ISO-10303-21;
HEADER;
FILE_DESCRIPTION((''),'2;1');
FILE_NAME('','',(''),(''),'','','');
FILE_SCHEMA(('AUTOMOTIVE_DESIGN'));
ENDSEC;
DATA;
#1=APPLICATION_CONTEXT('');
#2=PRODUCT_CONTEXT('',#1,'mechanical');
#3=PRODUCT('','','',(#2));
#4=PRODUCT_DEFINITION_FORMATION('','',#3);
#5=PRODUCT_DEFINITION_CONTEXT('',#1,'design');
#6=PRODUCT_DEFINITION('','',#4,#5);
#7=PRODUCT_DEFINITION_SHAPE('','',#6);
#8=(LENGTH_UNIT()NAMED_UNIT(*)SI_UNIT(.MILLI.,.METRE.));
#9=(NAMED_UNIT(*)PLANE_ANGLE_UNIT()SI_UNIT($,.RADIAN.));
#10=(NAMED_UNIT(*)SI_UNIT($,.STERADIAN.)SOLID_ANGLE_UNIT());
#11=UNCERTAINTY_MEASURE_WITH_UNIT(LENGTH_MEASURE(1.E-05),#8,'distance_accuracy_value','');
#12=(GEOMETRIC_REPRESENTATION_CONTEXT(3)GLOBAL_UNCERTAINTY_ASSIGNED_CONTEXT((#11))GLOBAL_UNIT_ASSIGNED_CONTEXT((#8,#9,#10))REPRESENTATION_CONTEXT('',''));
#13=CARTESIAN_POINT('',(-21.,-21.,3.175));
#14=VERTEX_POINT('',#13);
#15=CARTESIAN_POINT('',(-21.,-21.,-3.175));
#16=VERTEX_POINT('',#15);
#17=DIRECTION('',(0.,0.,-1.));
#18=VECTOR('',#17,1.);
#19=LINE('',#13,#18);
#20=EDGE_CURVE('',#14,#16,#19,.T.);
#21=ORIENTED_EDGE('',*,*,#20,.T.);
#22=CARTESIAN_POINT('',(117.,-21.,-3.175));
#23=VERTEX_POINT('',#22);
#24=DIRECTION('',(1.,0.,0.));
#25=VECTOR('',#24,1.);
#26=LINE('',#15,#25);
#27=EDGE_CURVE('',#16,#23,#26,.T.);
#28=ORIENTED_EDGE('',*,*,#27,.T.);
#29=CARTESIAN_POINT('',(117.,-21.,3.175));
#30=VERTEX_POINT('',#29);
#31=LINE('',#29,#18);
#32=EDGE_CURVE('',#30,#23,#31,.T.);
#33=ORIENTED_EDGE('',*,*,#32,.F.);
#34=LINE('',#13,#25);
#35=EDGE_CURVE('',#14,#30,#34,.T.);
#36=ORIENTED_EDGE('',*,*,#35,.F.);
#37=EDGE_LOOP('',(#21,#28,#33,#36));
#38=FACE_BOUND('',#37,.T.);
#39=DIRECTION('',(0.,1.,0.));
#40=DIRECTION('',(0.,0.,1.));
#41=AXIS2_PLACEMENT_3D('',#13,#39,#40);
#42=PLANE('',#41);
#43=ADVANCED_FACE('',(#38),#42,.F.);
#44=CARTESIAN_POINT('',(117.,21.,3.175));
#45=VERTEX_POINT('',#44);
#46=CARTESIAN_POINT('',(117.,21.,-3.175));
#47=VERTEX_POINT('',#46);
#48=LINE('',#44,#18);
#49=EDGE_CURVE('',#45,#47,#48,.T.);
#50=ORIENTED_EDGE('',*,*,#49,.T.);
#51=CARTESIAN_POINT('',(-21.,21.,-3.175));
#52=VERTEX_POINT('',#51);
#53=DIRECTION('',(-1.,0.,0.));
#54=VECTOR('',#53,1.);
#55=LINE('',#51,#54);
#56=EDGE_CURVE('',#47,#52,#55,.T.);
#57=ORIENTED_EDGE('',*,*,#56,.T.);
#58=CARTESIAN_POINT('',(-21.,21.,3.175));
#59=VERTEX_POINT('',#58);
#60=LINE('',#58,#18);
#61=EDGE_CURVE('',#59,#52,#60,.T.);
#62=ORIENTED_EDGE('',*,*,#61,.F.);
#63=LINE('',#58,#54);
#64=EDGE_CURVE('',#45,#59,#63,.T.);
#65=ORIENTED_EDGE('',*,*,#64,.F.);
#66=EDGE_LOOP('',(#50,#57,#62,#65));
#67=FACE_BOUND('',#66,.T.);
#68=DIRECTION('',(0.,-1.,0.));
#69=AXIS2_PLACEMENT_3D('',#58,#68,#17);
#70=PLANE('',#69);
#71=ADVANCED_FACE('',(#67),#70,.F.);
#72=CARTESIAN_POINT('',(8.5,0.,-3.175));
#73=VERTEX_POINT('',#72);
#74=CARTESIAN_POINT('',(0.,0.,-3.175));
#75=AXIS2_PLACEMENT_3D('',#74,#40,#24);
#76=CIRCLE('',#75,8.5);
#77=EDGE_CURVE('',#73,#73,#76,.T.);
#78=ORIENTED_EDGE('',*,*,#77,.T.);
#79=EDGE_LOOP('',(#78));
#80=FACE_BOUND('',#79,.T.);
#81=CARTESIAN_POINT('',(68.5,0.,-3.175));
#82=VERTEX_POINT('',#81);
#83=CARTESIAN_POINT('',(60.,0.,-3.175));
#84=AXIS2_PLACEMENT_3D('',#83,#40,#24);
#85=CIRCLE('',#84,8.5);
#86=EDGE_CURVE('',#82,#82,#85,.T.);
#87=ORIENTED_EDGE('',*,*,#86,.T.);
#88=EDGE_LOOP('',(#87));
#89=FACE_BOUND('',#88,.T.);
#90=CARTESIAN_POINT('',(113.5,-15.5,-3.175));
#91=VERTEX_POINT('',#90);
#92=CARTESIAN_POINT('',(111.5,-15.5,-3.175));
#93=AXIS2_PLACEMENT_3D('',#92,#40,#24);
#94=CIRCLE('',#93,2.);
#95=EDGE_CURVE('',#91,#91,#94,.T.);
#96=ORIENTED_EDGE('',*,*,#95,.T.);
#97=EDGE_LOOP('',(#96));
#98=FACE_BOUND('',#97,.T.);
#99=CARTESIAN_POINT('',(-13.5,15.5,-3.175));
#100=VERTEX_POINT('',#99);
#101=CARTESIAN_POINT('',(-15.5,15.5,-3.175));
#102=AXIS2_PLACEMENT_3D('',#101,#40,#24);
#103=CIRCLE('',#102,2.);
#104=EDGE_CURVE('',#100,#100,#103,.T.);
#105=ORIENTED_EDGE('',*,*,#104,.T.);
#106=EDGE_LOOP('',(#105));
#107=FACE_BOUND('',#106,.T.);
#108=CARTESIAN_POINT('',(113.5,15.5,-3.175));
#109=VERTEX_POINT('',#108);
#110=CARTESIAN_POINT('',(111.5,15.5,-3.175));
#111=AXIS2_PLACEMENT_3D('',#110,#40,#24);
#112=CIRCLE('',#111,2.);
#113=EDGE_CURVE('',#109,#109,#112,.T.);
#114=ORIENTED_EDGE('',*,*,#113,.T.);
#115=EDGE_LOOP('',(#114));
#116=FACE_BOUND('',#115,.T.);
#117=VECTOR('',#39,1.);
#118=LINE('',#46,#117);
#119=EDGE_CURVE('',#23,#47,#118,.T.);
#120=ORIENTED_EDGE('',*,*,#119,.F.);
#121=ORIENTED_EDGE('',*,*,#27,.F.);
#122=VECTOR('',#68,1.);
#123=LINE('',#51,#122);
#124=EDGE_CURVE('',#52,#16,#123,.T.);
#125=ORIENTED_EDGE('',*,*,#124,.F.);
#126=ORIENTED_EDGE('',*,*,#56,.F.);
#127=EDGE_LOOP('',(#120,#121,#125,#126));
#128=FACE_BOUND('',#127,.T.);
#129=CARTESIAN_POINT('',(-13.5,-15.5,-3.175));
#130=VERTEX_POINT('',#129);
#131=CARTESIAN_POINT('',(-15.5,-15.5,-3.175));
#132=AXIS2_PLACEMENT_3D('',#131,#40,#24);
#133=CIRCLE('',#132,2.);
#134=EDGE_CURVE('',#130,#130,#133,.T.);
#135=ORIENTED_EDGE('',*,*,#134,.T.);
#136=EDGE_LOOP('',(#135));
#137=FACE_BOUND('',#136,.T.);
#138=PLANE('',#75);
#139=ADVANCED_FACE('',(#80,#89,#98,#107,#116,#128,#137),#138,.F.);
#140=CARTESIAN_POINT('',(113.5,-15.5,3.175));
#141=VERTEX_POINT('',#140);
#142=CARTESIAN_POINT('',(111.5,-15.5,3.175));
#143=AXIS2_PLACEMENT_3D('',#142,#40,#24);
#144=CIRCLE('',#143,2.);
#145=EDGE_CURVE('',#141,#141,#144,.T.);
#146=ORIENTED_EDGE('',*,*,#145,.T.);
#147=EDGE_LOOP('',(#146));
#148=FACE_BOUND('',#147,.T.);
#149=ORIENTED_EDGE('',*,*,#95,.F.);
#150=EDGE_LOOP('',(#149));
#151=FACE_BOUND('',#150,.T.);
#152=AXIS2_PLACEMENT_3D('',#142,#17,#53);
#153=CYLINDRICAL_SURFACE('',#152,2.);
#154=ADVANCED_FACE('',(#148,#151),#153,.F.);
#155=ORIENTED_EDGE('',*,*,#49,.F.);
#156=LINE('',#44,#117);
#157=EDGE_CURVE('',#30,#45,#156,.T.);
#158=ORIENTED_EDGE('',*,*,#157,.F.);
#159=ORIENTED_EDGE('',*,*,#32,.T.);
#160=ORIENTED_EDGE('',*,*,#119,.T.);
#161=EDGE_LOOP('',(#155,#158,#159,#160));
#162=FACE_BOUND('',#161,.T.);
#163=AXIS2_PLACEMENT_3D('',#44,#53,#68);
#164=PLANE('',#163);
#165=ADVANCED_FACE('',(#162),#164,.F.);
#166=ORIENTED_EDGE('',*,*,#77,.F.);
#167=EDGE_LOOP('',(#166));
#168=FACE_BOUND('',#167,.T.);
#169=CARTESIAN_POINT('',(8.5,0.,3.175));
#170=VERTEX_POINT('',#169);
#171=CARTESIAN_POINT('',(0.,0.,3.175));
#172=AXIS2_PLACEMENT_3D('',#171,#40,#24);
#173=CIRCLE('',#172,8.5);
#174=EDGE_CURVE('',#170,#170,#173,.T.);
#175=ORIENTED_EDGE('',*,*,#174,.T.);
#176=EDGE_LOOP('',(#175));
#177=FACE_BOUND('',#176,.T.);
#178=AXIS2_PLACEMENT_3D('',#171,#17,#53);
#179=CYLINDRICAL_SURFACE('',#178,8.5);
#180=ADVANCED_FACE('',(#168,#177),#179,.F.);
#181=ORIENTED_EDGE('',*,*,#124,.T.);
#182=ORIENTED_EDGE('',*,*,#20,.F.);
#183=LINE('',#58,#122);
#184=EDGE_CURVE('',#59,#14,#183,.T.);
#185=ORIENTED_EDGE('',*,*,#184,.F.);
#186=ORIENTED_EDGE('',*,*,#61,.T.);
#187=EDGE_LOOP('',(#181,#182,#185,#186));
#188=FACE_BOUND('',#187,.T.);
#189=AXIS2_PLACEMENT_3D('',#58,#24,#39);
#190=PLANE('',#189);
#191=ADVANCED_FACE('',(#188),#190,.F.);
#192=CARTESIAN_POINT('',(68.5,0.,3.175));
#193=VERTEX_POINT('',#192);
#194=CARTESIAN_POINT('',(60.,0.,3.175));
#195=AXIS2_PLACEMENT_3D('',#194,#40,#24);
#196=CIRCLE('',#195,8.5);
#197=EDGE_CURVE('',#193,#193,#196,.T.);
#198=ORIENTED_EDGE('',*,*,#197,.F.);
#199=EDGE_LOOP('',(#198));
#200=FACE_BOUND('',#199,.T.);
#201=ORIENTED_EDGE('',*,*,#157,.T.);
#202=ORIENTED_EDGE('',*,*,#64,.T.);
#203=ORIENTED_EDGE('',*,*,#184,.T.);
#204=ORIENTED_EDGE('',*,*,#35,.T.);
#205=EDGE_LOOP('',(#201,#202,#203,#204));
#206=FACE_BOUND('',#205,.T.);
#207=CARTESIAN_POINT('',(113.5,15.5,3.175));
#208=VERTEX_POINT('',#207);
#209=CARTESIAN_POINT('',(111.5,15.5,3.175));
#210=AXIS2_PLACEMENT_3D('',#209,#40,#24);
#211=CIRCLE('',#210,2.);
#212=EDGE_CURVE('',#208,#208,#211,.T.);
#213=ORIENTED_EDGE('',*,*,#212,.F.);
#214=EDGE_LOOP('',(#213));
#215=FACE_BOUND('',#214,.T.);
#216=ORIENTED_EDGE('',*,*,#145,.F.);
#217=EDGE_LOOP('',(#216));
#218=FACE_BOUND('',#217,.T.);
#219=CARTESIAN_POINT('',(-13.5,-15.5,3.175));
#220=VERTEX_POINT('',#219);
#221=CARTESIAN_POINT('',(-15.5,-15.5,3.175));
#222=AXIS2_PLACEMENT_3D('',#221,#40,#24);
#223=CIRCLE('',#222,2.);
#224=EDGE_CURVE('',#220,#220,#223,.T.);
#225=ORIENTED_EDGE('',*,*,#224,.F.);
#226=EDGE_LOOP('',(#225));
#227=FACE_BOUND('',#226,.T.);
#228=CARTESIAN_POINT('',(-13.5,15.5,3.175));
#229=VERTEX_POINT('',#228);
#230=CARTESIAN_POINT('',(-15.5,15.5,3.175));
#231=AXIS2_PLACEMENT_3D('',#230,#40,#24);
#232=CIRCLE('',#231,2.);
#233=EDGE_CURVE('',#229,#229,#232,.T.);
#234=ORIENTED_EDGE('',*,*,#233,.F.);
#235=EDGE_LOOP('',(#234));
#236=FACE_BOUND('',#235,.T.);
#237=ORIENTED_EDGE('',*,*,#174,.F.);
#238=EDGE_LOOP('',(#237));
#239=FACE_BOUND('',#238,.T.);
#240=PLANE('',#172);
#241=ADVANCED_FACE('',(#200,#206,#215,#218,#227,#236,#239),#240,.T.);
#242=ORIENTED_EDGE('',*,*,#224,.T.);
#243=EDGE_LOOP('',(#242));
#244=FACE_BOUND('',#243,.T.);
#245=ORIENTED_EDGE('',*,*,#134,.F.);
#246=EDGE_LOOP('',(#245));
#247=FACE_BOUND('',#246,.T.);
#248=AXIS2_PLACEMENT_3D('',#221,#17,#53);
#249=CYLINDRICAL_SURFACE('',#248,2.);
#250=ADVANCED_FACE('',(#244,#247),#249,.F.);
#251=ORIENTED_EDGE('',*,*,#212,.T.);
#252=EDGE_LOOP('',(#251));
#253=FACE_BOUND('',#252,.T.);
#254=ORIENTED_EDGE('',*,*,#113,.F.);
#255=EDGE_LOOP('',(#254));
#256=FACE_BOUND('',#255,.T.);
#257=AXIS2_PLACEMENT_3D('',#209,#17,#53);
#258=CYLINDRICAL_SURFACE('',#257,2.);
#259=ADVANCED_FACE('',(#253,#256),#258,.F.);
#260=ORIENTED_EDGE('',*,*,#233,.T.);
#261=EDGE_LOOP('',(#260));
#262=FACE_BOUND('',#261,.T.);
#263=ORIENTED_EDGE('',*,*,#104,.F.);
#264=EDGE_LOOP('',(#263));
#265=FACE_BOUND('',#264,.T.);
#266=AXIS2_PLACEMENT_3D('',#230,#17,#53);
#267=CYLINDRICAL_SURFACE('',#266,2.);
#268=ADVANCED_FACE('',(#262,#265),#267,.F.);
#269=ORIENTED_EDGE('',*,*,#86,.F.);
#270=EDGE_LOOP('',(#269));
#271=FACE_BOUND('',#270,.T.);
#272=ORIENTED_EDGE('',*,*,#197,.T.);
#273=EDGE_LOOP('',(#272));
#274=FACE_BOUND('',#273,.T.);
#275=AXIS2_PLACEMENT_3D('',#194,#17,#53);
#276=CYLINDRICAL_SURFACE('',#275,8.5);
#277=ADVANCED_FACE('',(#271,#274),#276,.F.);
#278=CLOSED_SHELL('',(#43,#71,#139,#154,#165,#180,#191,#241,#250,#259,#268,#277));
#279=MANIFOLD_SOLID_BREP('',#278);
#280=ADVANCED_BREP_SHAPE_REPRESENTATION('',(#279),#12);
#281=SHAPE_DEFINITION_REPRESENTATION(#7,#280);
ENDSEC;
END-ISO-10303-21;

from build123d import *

# Parameters (mm, degrees)
SKETCH2_W           = 138
SKETCH2_H           = 42
SKETCH2_R           = 2
SKETCH2_R_2         = 8.5
BOSS_EXTRUDE1_DEPTH = 3.175


with BuildPart() as part:
    # Sketch2 → Boss-Extrude1 (new, symmetric)
    with BuildSketch(Plane.XY):
        with Locations((48, 0)):
            Rectangle(SKETCH2_W, SKETCH2_H)
        with Locations((-15.5, -15.5)):
            Circle(SKETCH2_R, mode=Mode.SUBTRACT)
        with Locations((-15.5, 15.5)):
            Circle(SKETCH2_R, mode=Mode.SUBTRACT)
        with Locations((111.5, 15.5)):
            Circle(SKETCH2_R, mode=Mode.SUBTRACT)
        with Locations((111.5, -15.5)):
            Circle(SKETCH2_R, mode=Mode.SUBTRACT)
        Circle(SKETCH2_R_2, mode=Mode.SUBTRACT)
        with Locations((60, 0)):
            Circle(SKETCH2_R_2, mode=Mode.SUBTRACT)
    extrude(amount=BOSS_EXTRUDE1_DEPTH, both=True)


solid = part.part
